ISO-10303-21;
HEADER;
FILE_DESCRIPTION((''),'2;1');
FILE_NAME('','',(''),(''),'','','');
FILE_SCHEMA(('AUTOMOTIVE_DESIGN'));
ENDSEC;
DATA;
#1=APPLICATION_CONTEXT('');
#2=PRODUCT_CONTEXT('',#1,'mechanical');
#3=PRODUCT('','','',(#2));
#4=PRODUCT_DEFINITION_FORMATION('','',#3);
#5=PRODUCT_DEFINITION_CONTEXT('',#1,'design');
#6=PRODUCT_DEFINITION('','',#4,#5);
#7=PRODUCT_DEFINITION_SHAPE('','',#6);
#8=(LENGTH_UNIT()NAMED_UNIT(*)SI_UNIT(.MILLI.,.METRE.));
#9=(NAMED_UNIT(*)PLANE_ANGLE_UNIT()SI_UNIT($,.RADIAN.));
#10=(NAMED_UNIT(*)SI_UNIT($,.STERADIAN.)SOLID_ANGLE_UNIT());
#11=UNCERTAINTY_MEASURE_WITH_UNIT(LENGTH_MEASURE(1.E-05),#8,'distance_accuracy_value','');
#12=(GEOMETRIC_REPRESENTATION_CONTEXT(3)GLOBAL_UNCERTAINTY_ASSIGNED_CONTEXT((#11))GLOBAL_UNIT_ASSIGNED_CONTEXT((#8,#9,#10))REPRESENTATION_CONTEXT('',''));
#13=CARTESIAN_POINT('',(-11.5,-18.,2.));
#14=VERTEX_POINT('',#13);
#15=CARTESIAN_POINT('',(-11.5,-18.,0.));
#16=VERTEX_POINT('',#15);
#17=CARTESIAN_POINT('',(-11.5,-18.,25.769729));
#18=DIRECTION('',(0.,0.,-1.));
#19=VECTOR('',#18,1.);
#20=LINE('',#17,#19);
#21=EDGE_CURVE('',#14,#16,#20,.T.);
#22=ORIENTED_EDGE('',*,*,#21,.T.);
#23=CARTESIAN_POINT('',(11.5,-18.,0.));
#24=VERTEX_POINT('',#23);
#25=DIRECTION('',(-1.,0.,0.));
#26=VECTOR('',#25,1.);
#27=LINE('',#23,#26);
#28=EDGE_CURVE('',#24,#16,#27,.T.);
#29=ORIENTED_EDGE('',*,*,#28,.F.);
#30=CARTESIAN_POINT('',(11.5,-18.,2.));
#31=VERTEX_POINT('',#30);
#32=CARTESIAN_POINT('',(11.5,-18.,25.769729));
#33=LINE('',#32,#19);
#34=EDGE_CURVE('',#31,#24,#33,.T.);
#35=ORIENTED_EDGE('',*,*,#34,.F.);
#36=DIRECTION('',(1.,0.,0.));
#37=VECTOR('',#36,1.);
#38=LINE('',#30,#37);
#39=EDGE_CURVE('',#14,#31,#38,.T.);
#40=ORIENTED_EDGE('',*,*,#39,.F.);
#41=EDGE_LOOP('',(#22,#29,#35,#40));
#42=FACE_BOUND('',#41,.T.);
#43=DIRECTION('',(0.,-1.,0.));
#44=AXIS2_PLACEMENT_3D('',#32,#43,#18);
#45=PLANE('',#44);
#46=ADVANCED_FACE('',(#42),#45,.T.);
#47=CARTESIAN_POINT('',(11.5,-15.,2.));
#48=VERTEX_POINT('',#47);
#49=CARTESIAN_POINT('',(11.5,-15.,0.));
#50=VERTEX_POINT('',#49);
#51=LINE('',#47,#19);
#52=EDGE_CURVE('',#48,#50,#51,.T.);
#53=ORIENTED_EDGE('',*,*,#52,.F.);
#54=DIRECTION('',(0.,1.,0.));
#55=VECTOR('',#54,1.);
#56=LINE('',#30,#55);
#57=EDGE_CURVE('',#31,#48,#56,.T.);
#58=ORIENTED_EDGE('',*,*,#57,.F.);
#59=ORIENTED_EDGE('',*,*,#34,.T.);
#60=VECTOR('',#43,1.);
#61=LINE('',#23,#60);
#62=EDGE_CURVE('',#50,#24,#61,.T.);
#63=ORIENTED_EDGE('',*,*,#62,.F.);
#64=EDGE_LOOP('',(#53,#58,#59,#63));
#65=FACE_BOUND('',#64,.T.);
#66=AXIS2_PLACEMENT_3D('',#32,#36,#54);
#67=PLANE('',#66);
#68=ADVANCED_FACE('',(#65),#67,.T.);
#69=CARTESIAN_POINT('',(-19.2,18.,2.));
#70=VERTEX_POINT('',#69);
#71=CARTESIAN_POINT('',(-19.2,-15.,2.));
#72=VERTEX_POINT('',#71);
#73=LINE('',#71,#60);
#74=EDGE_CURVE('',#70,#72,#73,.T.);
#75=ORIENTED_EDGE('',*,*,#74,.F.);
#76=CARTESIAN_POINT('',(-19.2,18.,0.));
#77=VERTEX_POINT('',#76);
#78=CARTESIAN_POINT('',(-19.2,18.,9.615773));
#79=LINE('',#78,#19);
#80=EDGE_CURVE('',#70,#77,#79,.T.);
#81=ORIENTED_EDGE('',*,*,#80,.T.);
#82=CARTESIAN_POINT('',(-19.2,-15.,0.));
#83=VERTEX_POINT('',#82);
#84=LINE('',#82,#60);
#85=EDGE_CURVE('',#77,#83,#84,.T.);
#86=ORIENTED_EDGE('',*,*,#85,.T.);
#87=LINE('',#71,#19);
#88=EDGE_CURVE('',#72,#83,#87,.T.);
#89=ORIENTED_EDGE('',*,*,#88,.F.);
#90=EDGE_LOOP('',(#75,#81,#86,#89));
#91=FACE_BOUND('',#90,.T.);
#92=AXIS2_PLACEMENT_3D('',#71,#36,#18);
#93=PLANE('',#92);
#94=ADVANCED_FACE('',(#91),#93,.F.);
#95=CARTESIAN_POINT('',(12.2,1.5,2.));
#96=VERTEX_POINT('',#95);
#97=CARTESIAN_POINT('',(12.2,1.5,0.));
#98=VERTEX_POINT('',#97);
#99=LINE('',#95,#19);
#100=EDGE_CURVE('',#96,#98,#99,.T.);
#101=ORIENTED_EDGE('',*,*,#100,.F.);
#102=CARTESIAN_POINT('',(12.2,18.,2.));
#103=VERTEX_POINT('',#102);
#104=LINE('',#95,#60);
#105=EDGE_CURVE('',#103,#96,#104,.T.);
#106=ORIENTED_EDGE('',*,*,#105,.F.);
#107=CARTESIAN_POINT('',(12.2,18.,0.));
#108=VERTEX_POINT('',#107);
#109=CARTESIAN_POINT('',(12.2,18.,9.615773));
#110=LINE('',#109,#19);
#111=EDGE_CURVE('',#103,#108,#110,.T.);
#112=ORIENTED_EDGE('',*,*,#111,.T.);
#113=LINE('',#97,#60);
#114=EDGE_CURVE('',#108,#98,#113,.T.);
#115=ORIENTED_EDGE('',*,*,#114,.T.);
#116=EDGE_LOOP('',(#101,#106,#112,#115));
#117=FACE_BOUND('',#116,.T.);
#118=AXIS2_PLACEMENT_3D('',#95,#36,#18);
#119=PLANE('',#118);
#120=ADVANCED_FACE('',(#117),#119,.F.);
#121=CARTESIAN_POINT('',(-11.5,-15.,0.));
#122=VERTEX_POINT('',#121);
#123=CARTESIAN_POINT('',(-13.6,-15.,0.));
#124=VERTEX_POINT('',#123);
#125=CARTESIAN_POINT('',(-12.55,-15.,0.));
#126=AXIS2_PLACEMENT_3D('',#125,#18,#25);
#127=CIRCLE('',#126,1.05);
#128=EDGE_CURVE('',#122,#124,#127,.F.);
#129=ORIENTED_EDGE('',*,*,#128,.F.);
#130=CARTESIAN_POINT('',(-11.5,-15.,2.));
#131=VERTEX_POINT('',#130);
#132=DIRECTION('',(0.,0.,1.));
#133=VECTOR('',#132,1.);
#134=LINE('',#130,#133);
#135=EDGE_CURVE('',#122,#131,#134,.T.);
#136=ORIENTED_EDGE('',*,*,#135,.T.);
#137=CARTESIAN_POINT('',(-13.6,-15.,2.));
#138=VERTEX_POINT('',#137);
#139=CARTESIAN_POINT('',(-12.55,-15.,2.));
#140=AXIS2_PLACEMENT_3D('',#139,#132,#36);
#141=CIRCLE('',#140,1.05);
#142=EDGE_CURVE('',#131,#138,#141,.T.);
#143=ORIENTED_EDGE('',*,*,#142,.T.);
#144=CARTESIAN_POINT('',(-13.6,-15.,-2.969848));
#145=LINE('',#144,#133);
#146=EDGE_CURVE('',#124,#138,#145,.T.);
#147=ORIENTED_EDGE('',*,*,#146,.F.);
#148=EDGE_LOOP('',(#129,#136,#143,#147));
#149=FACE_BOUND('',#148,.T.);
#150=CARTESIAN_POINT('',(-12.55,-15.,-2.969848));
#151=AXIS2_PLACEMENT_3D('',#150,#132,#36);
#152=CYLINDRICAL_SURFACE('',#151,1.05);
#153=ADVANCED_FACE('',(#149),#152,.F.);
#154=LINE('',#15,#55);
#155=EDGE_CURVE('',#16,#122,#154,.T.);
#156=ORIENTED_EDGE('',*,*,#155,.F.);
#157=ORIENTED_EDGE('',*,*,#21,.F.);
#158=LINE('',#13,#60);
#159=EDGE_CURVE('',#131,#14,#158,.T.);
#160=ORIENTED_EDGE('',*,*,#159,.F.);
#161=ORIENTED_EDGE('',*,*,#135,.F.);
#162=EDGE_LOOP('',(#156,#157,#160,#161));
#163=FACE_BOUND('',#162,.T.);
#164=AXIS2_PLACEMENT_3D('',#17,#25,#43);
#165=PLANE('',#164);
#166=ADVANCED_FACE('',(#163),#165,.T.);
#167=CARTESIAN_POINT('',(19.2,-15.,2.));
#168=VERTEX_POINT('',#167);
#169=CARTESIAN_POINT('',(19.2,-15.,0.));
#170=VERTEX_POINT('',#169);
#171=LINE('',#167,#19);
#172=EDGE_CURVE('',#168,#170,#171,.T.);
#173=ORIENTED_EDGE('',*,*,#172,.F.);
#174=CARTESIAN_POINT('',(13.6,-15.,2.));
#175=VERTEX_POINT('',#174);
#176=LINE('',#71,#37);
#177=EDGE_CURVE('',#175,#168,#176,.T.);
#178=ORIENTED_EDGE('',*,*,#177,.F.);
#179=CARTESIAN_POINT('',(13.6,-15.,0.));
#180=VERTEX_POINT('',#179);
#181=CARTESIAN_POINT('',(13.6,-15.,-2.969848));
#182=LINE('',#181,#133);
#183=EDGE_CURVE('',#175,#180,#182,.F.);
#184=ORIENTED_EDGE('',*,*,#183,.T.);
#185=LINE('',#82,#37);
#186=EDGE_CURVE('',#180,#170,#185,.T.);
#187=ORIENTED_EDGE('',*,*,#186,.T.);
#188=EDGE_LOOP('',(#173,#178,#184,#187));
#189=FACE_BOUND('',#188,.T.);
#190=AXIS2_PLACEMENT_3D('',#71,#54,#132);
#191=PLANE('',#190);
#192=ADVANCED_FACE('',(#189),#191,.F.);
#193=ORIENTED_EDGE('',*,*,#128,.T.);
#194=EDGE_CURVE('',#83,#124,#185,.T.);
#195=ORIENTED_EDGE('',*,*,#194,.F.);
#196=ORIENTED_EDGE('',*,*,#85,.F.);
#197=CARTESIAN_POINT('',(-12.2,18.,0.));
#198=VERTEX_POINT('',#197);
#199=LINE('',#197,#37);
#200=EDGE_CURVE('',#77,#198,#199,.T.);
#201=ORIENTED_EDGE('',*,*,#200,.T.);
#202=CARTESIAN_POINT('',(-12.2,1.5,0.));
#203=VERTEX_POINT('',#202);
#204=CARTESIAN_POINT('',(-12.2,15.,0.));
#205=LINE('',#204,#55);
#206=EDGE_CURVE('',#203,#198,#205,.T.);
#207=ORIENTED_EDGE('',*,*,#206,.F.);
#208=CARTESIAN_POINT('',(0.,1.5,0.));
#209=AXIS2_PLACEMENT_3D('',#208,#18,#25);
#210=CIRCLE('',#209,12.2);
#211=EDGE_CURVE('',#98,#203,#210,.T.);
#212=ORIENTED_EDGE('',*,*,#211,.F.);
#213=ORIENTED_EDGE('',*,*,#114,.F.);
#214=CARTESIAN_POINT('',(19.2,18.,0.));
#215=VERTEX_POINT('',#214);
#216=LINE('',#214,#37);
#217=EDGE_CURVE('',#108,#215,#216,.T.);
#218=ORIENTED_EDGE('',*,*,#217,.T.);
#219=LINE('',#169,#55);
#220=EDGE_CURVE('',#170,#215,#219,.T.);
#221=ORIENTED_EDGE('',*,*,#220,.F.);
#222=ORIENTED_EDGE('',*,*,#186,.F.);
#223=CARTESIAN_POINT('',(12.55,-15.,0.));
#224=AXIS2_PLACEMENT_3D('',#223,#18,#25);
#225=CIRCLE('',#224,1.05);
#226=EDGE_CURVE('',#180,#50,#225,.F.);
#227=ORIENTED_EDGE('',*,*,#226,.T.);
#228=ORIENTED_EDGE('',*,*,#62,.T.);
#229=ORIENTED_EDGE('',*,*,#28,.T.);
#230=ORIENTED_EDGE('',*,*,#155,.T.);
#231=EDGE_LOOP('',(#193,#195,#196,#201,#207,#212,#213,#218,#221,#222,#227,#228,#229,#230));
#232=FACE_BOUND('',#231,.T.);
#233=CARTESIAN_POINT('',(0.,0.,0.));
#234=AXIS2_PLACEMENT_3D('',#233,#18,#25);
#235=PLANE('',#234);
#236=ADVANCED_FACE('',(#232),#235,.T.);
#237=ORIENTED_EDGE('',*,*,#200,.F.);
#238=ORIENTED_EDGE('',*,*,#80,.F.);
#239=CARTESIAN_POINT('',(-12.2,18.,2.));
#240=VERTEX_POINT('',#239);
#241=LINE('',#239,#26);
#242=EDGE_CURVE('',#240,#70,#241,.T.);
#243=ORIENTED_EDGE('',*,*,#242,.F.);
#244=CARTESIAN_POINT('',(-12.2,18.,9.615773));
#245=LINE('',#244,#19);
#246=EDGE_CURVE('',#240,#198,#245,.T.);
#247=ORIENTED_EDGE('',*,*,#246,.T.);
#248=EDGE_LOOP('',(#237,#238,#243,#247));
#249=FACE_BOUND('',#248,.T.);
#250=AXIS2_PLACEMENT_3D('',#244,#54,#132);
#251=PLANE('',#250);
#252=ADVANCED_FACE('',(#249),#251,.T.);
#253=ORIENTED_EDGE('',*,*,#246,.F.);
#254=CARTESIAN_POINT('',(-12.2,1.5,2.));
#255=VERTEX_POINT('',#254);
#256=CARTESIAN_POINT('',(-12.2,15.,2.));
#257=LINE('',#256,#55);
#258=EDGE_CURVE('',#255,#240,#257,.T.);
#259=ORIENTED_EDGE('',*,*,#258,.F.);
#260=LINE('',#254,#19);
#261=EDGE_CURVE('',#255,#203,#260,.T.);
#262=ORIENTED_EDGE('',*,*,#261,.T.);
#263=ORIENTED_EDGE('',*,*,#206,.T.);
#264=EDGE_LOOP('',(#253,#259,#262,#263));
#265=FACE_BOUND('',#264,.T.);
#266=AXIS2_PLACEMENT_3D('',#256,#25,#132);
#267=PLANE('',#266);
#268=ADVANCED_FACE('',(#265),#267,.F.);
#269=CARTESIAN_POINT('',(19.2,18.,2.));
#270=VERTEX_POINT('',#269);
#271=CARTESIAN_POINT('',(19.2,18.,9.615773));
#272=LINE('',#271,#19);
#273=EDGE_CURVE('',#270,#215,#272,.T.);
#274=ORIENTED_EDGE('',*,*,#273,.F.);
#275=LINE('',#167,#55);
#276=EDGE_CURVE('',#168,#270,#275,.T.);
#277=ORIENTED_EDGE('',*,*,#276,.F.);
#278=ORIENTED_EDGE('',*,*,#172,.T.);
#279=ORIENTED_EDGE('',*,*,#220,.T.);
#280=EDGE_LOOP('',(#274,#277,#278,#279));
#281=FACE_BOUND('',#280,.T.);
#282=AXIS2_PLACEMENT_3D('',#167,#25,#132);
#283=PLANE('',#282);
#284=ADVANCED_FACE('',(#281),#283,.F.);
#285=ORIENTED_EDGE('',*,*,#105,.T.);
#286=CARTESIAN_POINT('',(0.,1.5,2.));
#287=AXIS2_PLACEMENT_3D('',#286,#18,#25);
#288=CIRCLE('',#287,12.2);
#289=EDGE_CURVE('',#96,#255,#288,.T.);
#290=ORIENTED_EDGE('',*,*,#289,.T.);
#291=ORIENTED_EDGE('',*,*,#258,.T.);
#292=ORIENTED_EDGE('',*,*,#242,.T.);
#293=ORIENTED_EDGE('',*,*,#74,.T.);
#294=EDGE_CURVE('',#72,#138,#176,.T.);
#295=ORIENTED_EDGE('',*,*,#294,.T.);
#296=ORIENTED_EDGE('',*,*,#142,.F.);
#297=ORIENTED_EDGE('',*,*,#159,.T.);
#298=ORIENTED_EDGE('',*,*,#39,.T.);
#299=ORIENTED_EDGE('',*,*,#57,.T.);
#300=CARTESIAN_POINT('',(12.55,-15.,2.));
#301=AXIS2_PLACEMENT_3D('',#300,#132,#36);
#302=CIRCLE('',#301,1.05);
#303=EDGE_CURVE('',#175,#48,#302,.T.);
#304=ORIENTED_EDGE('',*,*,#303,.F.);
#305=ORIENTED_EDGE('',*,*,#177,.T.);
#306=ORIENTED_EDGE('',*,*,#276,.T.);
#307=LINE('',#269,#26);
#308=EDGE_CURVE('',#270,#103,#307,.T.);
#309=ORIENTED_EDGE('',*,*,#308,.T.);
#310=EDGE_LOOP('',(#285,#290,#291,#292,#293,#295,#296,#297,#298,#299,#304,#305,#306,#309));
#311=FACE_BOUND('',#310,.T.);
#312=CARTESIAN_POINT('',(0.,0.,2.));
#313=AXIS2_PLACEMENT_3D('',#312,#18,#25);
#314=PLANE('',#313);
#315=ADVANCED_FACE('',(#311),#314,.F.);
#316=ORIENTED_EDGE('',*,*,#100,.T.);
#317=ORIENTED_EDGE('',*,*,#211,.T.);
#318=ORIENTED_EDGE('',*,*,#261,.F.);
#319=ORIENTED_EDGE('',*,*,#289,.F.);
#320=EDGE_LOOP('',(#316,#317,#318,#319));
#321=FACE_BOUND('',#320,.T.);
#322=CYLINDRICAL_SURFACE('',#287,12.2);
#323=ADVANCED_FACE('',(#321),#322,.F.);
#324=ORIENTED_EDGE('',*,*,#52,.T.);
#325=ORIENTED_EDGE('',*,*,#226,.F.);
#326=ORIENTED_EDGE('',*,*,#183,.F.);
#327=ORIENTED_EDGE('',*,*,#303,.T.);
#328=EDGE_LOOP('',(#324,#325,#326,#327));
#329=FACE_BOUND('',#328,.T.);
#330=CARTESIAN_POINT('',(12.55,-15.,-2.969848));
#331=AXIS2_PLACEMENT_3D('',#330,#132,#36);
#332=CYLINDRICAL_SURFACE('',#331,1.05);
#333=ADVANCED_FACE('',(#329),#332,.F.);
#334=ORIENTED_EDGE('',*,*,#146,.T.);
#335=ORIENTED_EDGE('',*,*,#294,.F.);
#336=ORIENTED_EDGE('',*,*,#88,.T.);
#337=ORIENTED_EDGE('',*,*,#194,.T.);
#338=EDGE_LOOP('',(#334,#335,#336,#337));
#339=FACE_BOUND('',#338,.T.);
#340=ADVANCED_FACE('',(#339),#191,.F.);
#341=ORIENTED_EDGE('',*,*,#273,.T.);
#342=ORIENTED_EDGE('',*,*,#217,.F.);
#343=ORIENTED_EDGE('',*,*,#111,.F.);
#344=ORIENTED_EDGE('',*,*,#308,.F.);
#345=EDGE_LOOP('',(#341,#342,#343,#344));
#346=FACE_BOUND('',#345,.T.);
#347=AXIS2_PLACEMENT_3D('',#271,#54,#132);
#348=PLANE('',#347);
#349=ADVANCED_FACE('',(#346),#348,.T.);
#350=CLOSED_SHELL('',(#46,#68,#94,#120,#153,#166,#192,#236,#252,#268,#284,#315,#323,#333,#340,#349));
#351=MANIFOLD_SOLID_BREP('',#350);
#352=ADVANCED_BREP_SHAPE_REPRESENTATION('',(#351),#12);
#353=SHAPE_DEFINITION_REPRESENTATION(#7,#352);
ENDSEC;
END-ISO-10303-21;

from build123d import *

# Parameters (mm, degrees)
SKETCH_1_W          = 38.4
SKETCH_1_H          = 30
EXTRUDE_1_DEPTH     = 2
CUT_EXTRUDE_1_DEPTH = 2
SKETCH_3_W          = 23
SKETCH_3_H          = 6
EXTRUDE_2_DEPTH     = 2
SKETCH_4_R          = 1.05
CUT_EXTRUDE_2_DEPTH = 2
SKETCH_5_W          = 7
SKETCH_5_H          = 3
EXTRUDE_3_DEPTH     = 2


with BuildPart() as part:
    # 草图1 → 凸台-拉伸1 (new body)
    with BuildSketch(Plane.XY):
        Rectangle(SKETCH_1_W, SKETCH_1_H)
    extrude(amount=EXTRUDE_1_DEPTH)

    # 草图2 → 切除-拉伸1 (cut)
    with BuildSketch(Plane(origin=(0, 0, 0), x_dir=(-1, 0, 0), z_dir=(0, 0, -1))):
        with BuildLine():
            Line((-12.2, 1.5), (-12.2, 15))
            Line((-12.2, 15), (12.2, 15))
            Line((12.2, 15), (12.2, 1.5))
            ThreePointArc((12.2, 1.5), (0, -10.7), (-12.2, 1.5))
        make_face()
    extrude(amount=-CUT_EXTRUDE_1_DEPTH, mode=Mode.SUBTRACT)

    # 草图3 → 凸台-拉伸2 (add)
    with BuildSketch(Plane(origin=(0, 0, 0), x_dir=(-1, 0, 0), z_dir=(0, 0, -1))):
        with Locations((0, -15)):
            Rectangle(SKETCH_3_W, SKETCH_3_H)
    extrude(amount=-EXTRUDE_2_DEPTH)

    # 草图4 → 切除-拉伸2 (cut)
    with BuildSketch(Plane.XY.offset(2)):
        with Locations((12.55, -15)):
            Circle(SKETCH_4_R)
        with Locations((-12.55, -15)):
            Circle(SKETCH_4_R)
    extrude(amount=-CUT_EXTRUDE_2_DEPTH, mode=Mode.SUBTRACT)

    # 草图5 → 凸台-拉伸3 (add)
    with BuildSketch(Plane(origin=(0, 0, 0), x_dir=(-1, 0, 0), z_dir=(0, 0, -1))):
        with Locations((-15.7, 16.5)):
            Rectangle(SKETCH_5_W, SKETCH_5_H)
        with Locations((15.7, 16.5)):
            Rectangle(SKETCH_5_W, SKETCH_5_H)
    extrude(amount=-EXTRUDE_3_DEPTH)


solid = part.part
